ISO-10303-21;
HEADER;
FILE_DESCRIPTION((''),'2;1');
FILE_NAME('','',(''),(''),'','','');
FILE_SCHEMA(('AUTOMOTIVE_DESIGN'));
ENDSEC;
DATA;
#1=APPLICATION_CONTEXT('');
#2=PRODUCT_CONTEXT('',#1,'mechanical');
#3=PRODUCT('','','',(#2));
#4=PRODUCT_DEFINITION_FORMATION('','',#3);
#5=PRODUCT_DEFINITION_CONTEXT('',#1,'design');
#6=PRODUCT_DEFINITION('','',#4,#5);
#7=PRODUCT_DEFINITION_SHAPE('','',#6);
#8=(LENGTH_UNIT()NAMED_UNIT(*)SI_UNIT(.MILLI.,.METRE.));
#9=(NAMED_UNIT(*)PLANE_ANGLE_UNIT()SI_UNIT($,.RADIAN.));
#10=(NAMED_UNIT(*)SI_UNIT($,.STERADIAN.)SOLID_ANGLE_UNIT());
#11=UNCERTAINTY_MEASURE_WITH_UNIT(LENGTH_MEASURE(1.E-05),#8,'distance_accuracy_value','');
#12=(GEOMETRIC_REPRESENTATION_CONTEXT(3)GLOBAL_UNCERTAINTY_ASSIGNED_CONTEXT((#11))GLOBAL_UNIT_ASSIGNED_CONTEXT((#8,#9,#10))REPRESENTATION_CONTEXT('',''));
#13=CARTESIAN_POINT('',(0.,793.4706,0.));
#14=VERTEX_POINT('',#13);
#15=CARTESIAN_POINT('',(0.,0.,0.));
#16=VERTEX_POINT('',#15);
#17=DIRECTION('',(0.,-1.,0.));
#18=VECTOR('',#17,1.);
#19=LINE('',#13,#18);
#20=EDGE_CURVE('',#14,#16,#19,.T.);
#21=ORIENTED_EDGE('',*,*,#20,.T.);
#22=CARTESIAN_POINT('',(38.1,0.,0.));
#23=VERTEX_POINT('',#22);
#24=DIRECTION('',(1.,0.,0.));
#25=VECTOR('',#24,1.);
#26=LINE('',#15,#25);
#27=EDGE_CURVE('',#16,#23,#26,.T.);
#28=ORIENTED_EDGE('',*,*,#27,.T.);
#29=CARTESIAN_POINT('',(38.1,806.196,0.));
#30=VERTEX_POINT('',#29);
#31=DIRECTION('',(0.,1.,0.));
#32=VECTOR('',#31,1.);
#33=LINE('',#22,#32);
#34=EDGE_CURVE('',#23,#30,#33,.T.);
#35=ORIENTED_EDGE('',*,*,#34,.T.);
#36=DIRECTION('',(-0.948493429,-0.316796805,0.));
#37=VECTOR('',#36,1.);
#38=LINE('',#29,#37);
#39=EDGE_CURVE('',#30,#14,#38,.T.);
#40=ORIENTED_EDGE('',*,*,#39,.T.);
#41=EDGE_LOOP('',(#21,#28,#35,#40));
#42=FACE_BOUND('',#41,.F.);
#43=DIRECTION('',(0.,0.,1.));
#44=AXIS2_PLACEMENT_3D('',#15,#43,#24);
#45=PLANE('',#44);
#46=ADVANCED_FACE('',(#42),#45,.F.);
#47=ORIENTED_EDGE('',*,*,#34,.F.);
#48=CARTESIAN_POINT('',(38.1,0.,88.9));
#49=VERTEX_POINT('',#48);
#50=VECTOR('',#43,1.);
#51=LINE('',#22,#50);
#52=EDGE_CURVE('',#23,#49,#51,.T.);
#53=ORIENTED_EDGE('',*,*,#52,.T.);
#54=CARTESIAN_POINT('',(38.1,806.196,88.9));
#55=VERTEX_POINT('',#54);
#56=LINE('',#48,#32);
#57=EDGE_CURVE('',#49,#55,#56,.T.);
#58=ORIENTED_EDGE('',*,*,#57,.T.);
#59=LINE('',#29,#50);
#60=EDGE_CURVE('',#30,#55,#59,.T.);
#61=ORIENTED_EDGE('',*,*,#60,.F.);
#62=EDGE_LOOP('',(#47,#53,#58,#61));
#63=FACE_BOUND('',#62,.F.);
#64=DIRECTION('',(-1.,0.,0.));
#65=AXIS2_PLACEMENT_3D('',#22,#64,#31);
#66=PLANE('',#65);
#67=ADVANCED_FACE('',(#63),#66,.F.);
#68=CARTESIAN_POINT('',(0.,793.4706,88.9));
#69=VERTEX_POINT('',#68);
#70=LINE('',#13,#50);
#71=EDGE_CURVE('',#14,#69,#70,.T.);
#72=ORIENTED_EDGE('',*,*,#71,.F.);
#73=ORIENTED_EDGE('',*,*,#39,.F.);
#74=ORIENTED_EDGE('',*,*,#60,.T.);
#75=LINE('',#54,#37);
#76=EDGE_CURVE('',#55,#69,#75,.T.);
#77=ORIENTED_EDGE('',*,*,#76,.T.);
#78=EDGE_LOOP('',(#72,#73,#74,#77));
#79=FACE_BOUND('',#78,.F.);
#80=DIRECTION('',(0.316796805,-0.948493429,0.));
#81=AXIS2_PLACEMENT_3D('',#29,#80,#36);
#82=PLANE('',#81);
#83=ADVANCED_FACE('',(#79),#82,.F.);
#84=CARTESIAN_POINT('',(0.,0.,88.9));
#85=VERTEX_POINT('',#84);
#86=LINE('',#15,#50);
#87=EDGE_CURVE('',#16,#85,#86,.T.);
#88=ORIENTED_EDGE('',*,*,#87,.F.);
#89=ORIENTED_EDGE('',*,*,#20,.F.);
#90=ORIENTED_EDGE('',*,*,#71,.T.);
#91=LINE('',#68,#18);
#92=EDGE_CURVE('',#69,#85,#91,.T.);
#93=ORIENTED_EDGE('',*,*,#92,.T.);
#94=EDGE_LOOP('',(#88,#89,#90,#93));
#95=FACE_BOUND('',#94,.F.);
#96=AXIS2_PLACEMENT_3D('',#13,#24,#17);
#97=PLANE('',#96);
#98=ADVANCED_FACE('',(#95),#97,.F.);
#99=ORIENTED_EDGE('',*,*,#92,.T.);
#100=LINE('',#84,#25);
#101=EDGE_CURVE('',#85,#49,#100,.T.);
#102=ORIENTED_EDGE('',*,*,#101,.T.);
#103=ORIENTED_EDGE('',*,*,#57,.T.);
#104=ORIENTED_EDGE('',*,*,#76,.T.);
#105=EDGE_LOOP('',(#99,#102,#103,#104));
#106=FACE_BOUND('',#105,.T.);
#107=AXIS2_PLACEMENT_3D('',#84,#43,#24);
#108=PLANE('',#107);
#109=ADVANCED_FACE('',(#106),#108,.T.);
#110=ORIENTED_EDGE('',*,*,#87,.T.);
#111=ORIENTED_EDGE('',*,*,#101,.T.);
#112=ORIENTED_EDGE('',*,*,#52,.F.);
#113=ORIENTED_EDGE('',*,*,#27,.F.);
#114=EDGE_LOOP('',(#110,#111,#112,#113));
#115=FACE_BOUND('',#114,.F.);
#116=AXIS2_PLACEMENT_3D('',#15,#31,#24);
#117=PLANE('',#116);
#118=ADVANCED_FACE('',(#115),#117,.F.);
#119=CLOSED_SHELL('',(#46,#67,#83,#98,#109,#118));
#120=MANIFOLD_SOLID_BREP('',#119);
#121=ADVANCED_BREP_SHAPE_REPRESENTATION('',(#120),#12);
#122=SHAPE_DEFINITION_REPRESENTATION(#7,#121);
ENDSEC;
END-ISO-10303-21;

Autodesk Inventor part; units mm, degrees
ref_plane "YZ Plane" through (0, 0, 0) normal (1, 0, 0) x (0, 1, 0)
ref_plane "XZ Plane" through (0, 0, 0) normal (0, 1, 0) x (-1, 0, 0)
ref_plane "XY Plane" through (0, 0, 0) normal (0, 0, 1) x (1, 0, 0)
sketch "Sketch1" plane through (0, 0, 0) normal (0, 0, 1) x (1, 0, 0)
  line L0 (0, 0) -> (38.1, 0)
  line L1 (38.1, 0) -> (38.1, 806.196)
  line L2 (38.1, 806.196) -> (0, 793.4706)
  line L3 (0, 793.4706) -> (0, 0)
  dimension "d2" = 38.1
  dimension "d5" = 793.4706
  dimension "d6" = 806.196
extrude "Extrusion1" add sketch "Sketch1" along normal blind 88.9
properties part number "Stud_Between_Top_Plate_And_Rafter_6" material "Wood (Birch)"
